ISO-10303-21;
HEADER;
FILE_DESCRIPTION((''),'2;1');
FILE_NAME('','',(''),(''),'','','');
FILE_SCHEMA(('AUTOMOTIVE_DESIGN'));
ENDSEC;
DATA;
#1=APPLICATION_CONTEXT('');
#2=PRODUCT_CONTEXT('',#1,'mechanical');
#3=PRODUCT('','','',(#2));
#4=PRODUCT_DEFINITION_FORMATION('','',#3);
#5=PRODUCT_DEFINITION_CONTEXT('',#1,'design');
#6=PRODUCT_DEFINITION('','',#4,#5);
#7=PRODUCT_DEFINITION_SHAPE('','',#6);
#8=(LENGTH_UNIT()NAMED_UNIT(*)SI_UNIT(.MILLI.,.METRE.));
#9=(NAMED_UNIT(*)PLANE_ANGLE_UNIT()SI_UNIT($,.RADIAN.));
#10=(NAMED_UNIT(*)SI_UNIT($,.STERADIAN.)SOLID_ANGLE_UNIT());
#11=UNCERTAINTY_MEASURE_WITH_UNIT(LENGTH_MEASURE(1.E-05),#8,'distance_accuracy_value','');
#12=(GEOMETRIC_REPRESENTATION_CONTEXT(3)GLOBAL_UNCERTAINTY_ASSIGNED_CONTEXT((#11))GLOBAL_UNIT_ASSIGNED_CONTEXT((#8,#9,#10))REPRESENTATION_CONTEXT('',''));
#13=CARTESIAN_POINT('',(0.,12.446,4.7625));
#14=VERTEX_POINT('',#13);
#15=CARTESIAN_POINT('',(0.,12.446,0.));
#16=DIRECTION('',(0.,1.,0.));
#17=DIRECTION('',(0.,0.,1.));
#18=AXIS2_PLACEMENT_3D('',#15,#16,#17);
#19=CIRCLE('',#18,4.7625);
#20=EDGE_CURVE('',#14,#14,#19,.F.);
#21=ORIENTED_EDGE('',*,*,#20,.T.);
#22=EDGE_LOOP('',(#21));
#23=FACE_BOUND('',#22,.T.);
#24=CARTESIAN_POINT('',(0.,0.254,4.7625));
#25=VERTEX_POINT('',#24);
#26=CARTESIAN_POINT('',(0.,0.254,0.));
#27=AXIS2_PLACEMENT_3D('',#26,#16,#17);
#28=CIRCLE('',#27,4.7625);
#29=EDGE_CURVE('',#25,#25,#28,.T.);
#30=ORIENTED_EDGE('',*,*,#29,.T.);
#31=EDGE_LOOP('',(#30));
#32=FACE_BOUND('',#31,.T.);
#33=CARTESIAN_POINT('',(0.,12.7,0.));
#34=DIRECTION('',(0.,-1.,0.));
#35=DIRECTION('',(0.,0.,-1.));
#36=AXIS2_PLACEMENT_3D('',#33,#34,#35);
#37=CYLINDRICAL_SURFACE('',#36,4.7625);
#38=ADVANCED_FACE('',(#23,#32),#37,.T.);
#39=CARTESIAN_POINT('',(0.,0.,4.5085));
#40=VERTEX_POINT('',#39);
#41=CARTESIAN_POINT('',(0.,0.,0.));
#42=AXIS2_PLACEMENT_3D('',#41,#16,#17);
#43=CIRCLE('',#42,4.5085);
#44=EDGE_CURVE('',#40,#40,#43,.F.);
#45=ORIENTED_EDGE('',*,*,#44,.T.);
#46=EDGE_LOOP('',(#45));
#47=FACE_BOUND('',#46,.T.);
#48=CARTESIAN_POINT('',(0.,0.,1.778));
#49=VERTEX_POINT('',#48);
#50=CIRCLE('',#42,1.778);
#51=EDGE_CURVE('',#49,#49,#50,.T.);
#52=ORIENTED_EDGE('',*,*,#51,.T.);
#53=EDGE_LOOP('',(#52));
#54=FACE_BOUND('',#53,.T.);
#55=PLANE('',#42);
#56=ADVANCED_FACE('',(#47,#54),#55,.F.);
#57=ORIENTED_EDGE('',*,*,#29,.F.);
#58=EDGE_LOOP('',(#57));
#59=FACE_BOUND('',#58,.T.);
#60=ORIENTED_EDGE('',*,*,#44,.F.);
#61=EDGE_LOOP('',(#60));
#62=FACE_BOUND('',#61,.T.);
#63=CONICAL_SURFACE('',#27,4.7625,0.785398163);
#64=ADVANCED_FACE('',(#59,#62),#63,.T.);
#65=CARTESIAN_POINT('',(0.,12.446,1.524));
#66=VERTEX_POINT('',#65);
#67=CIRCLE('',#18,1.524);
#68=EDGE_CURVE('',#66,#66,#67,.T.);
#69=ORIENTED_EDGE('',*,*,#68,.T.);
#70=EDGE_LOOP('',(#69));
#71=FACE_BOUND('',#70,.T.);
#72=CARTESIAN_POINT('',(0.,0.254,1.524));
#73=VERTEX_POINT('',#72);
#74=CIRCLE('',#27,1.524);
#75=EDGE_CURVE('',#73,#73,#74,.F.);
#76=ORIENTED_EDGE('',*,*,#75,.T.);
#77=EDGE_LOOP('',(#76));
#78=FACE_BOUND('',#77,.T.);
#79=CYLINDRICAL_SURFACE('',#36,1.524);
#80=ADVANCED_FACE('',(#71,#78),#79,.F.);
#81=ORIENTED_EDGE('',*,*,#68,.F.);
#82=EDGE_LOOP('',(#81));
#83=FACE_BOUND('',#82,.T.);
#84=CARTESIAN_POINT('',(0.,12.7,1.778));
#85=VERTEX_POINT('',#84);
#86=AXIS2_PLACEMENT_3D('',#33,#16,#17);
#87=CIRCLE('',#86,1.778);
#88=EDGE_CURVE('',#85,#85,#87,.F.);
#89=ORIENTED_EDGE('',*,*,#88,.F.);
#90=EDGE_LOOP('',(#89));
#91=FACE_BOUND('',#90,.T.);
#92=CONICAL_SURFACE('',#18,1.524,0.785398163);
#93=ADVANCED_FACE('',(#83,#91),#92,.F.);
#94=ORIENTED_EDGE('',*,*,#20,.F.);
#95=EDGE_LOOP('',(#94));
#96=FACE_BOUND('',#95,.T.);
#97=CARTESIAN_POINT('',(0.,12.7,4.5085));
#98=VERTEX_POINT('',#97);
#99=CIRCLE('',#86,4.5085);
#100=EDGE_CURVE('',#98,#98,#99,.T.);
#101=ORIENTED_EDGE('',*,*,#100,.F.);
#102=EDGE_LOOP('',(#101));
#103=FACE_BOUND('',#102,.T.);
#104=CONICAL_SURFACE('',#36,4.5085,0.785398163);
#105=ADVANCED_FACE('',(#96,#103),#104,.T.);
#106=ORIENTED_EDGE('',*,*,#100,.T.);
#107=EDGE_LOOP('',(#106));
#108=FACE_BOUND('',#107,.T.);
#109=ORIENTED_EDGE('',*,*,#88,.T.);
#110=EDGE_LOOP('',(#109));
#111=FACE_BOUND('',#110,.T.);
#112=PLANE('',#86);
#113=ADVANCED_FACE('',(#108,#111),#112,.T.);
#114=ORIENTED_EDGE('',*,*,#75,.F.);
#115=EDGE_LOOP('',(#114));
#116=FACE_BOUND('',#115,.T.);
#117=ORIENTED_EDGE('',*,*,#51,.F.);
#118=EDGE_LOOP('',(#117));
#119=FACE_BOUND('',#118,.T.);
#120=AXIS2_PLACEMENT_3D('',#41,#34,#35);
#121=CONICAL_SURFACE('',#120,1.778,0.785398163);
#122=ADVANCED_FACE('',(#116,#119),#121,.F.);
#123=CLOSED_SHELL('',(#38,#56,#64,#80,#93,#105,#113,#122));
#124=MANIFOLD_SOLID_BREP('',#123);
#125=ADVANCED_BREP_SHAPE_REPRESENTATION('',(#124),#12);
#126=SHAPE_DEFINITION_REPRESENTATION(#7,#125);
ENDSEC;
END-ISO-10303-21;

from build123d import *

# Parameters (mm, degrees)
SKETCH1_R           = 4.7625
SKETCH1_R_2         = 1.524
BOSS_EXTRUDE1_DEPTH = 12.7
CHAMFER1_SIZE       = 0.254


with BuildPart() as part:
    # Sketch1 → Boss-Extrude1 (new body)
    with BuildSketch(Plane(origin=(0, 0, 0), x_dir=(1, 0, 0), z_dir=(0, 1, 0))):
        with Locations(Location((0, 0, 0), (0, 0, 270))):
            Circle(SKETCH1_R)
        with Locations(Location((0, 0, 0), (0, 0, 270))):
            Circle(SKETCH1_R_2, mode=Mode.SUBTRACT)
    extrude(amount=BOSS_EXTRUDE1_DEPTH)

    # Chamfer1
    chamfer1_edges = [part.edges().sort_by_distance(p)[0] for p in [
        (0, 0, -4.7625),
        (0, 12.7, -4.7625),
        (0, 0, -1.524),
        (0, 12.7, -1.524),
    ]]
    chamfer(chamfer1_edges, length=CHAMFER1_SIZE)


solid = part.part
